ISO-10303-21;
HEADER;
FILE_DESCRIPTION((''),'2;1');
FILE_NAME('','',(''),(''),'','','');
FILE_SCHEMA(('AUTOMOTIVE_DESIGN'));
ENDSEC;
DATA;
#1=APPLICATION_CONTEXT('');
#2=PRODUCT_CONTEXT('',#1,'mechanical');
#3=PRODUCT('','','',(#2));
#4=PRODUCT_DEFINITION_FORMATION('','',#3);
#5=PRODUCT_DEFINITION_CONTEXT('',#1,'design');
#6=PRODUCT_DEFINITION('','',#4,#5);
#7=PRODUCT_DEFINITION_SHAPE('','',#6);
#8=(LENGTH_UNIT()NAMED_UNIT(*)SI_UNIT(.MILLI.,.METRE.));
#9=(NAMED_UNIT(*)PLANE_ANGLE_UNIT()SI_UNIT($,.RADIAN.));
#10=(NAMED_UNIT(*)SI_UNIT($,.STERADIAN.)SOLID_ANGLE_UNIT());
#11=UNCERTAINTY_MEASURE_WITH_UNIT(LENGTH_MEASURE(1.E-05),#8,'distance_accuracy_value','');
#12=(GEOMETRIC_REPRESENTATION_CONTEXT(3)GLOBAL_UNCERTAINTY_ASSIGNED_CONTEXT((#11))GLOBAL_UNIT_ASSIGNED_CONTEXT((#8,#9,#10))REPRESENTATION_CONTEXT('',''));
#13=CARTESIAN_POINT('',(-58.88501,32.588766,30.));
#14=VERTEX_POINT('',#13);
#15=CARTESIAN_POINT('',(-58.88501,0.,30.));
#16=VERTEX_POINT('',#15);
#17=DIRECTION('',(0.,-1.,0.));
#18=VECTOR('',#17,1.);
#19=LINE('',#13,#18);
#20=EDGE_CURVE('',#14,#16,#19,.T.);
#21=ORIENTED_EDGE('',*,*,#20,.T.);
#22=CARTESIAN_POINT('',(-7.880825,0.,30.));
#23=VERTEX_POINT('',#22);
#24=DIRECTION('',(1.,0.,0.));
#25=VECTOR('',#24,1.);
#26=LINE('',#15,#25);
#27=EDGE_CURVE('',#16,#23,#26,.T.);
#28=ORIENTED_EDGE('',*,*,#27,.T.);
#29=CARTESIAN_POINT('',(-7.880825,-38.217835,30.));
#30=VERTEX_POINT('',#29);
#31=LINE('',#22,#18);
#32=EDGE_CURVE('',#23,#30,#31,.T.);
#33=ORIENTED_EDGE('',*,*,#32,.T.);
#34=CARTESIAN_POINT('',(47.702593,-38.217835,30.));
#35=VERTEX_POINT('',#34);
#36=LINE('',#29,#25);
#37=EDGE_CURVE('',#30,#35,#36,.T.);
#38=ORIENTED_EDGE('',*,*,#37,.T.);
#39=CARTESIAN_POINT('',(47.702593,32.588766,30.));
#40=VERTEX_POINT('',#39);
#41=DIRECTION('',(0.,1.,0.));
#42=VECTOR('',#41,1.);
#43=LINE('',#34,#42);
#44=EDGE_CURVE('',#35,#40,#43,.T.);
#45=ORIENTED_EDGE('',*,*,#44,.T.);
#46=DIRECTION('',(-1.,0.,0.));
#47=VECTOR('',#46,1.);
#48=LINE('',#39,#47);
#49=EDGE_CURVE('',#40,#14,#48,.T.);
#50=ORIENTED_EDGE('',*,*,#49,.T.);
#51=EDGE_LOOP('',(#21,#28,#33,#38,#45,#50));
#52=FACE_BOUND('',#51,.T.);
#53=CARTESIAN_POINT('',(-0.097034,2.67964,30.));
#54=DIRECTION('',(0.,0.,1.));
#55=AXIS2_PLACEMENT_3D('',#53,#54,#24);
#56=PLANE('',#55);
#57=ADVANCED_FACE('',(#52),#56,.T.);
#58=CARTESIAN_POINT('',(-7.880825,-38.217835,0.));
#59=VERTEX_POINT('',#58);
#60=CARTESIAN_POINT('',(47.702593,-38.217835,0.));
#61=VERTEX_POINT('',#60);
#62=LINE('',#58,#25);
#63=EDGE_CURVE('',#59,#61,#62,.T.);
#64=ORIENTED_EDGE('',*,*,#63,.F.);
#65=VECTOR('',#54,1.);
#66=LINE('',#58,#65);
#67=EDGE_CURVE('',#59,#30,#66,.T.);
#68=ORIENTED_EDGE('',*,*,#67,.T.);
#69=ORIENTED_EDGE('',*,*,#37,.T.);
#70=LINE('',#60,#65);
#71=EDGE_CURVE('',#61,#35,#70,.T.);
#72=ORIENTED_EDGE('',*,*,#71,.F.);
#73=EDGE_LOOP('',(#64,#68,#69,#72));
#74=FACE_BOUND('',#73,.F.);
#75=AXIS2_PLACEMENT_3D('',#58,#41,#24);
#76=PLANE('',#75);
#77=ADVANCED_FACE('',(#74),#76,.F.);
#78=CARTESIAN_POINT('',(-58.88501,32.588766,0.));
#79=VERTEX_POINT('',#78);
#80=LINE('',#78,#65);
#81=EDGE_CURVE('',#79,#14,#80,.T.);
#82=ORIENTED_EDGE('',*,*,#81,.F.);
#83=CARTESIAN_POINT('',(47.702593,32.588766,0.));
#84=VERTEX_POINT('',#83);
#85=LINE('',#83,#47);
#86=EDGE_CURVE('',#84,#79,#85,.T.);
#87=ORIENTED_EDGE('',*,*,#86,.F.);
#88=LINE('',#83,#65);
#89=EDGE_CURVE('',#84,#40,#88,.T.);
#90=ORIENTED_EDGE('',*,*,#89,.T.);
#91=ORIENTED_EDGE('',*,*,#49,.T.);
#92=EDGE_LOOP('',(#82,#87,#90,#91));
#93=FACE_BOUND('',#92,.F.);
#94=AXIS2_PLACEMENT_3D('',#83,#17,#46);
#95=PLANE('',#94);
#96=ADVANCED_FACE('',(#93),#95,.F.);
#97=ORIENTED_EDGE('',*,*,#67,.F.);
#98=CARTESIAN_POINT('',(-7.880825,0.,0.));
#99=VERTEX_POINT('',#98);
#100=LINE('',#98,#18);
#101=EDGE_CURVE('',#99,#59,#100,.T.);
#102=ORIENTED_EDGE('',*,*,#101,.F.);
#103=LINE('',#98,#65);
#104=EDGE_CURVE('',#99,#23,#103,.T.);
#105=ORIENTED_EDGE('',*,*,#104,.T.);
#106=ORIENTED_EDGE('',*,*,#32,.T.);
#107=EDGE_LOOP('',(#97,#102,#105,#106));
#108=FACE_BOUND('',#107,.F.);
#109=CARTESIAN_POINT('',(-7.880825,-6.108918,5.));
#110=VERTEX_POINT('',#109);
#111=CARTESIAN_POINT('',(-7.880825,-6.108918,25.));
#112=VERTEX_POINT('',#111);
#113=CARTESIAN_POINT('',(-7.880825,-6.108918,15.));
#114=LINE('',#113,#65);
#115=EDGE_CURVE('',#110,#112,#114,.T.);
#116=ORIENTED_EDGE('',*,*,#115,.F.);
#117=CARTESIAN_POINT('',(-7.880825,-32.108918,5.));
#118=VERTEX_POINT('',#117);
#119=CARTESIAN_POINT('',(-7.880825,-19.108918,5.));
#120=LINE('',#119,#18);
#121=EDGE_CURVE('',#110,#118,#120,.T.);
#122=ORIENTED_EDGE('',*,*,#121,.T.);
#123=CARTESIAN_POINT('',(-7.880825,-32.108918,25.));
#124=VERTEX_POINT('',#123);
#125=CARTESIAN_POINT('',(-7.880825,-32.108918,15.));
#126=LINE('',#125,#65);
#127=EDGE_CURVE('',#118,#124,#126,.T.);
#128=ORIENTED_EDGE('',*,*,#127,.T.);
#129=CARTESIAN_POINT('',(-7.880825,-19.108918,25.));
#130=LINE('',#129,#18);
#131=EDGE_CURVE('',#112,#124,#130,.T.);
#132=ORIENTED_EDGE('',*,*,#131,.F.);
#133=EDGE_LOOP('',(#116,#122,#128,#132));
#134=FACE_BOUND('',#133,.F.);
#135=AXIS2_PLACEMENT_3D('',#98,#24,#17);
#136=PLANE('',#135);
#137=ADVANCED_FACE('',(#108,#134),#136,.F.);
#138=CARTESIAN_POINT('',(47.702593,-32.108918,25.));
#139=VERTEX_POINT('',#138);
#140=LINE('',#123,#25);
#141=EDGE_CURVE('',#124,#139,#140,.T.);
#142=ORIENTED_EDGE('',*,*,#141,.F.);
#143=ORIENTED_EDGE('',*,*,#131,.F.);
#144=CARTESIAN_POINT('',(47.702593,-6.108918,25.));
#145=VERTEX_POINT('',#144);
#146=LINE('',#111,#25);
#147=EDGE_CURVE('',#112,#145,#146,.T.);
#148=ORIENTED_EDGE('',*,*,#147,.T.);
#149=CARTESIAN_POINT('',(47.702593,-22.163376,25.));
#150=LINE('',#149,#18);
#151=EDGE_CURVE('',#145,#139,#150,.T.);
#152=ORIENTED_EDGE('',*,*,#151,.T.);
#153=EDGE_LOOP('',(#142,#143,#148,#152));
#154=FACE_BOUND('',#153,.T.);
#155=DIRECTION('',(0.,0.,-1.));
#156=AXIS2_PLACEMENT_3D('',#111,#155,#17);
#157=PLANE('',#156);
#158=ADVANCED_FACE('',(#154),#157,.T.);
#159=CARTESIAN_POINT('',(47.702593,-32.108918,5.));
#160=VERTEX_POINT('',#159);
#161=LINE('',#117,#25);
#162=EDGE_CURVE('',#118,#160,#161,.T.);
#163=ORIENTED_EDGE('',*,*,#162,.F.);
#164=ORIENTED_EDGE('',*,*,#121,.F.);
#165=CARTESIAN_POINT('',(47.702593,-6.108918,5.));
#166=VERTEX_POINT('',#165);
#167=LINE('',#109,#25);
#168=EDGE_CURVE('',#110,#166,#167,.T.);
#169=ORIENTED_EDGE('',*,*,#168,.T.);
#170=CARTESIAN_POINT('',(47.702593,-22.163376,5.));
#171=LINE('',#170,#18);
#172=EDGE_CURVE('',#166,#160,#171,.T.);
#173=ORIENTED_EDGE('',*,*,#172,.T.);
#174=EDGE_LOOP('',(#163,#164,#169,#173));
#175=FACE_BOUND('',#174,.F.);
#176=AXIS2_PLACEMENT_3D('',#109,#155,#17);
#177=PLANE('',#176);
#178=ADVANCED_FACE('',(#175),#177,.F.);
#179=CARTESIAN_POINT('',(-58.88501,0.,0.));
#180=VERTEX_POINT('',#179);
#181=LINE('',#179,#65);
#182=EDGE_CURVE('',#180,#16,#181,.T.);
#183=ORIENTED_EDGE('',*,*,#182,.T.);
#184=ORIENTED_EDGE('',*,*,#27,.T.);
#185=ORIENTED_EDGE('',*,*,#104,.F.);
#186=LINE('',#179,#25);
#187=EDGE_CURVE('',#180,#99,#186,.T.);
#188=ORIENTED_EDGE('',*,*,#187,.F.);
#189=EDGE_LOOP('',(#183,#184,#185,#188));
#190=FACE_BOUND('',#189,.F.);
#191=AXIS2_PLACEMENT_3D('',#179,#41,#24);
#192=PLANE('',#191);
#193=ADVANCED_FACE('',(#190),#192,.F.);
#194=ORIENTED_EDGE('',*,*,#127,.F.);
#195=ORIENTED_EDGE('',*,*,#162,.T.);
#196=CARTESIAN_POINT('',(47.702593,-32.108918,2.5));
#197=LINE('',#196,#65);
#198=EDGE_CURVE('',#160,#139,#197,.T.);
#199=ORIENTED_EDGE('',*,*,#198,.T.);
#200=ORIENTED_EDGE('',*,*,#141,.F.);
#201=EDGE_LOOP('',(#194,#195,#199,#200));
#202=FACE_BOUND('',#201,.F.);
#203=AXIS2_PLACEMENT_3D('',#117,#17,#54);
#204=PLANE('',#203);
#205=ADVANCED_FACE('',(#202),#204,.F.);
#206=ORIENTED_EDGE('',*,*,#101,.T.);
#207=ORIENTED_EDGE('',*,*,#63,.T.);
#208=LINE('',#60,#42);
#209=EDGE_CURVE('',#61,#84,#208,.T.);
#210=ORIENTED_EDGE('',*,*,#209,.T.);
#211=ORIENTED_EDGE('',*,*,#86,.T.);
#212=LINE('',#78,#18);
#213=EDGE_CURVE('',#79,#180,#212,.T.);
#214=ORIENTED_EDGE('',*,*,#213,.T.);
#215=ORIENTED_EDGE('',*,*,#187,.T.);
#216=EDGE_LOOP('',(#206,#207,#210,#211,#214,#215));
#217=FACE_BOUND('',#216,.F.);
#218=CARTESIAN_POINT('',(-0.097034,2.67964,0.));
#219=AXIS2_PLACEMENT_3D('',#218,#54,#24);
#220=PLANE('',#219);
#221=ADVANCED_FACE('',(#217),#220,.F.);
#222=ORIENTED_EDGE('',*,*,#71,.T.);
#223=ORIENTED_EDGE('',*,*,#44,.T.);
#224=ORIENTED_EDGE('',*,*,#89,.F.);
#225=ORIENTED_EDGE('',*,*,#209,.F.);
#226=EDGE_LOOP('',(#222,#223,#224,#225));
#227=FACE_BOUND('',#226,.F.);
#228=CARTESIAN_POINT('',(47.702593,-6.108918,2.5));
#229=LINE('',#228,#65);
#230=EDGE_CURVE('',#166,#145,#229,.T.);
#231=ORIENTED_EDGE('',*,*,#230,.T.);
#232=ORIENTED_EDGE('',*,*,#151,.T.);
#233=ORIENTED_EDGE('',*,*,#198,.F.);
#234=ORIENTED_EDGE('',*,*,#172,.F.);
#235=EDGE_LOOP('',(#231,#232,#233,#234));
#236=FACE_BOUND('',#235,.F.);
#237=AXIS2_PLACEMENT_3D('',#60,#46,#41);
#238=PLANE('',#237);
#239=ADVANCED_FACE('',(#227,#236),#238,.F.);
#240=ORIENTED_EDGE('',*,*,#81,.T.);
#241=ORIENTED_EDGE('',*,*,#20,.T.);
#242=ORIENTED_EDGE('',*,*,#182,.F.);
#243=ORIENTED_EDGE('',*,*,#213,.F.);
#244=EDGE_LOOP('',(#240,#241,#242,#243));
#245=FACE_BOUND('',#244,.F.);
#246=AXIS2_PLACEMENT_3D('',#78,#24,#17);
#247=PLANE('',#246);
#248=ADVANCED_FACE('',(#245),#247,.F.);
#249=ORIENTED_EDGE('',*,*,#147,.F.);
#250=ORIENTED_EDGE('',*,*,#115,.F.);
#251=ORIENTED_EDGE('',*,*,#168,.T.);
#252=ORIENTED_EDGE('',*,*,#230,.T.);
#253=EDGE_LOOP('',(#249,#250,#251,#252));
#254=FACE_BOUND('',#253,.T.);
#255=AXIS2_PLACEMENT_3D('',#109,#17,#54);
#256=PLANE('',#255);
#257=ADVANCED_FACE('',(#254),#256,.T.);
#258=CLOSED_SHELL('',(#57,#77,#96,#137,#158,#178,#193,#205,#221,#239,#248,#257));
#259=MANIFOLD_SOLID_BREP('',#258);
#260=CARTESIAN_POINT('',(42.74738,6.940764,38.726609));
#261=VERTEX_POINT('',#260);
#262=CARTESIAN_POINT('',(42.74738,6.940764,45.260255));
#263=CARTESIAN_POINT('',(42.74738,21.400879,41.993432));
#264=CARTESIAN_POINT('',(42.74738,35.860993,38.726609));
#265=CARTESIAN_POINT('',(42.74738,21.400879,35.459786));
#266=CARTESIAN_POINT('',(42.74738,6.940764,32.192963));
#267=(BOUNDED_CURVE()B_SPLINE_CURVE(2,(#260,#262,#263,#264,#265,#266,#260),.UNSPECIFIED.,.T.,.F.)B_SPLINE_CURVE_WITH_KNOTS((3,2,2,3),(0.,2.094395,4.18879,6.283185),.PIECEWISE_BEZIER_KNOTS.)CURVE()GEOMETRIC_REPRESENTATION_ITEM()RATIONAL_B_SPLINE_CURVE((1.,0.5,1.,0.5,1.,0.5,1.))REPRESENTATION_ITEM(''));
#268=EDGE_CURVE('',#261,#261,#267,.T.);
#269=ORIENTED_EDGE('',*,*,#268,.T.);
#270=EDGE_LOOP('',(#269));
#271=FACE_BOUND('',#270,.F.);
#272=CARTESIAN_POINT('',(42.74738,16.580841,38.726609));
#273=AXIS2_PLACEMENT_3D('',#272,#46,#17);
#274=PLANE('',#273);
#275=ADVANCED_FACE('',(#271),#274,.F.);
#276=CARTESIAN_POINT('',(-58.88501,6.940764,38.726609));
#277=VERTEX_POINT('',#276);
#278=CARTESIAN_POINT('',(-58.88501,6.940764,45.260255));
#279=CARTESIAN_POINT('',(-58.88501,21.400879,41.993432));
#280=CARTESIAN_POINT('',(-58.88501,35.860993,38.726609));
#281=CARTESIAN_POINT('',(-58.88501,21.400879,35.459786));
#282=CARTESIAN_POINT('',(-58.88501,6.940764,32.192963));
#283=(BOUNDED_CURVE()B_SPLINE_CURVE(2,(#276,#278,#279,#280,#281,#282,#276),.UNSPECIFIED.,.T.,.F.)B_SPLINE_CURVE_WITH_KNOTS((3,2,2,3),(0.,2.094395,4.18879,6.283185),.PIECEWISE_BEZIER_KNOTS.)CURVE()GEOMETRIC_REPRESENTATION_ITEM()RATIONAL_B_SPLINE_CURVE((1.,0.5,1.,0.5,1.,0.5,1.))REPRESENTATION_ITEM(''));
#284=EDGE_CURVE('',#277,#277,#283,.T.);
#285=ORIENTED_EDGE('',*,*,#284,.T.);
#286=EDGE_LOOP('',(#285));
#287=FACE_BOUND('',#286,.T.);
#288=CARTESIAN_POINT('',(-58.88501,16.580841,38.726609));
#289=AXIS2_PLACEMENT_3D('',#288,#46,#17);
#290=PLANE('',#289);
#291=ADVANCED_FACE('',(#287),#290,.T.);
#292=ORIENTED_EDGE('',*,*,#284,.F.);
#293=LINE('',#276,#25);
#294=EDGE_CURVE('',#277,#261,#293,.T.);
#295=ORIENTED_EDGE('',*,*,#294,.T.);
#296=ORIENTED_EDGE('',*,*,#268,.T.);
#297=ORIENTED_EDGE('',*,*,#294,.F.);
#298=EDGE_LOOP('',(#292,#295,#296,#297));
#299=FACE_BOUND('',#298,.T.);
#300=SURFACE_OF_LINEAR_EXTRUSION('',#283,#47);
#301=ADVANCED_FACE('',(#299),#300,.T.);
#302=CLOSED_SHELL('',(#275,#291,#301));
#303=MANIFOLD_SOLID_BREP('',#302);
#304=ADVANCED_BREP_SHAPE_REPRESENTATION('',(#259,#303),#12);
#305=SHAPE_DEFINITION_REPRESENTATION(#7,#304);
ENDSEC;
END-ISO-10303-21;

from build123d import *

# Parameters (mm, degrees)
F1_DEPTH = 30
F2_W     = 26
F2_H     = 20
F3_DEPTH = 55.584419
F5_DEPTH = 101.63239


with BuildPart() as f1:
    # F0 (on Top) → F1 (new body)
    with BuildSketch(Plane.XY):
        Polygon((47.702593, 32.588766), (-58.88501, 32.588766), (-58.88501, 0), (-7.880825, 0), (-7.880825, -38.217835), (47.702593, -38.217835), align=None)
    extrude(amount=F1_DEPTH)

    # F2 (on face) → F3 (cut, through all)
    with BuildSketch(Plane(origin=(-7.880825, 0, 0), x_dir=(0, -1, 0), z_dir=(-1, 0, 0))):
        with Locations((19.108918, 15)):
            Rectangle(F2_W, F2_H)
    extrude(amount=-F3_DEPTH, mode=Mode.SUBTRACT)


with BuildPart() as f5:
    # F4 (on face) → F5 (new body)
    with BuildSketch(Plane(origin=(-58.88501, 0, 0), x_dir=(0, -1, 0), z_dir=(-1, 0, 0))):
        with BuildLine():
            add(Edge.make_bspline(
                [(-6.940764, 38.726609), (-6.940764, 45.260255), (-21.400879, 41.993432), (-35.860993, 38.726609), (-21.400879, 35.459786), (-6.940764, 32.192963), (-6.940764, 38.726609)],
                knots=[0, 0, 0, 2.094395, 2.094395, 4.18879, 4.18879, 6.283185, 6.283185, 6.283185], degree=2, weights=[1, 0.5, 1, 0.5, 1, 0.5, 1]))
        make_face()
    extrude(amount=-F5_DEPTH)


solid = Compound([f1.part, f5.part])
